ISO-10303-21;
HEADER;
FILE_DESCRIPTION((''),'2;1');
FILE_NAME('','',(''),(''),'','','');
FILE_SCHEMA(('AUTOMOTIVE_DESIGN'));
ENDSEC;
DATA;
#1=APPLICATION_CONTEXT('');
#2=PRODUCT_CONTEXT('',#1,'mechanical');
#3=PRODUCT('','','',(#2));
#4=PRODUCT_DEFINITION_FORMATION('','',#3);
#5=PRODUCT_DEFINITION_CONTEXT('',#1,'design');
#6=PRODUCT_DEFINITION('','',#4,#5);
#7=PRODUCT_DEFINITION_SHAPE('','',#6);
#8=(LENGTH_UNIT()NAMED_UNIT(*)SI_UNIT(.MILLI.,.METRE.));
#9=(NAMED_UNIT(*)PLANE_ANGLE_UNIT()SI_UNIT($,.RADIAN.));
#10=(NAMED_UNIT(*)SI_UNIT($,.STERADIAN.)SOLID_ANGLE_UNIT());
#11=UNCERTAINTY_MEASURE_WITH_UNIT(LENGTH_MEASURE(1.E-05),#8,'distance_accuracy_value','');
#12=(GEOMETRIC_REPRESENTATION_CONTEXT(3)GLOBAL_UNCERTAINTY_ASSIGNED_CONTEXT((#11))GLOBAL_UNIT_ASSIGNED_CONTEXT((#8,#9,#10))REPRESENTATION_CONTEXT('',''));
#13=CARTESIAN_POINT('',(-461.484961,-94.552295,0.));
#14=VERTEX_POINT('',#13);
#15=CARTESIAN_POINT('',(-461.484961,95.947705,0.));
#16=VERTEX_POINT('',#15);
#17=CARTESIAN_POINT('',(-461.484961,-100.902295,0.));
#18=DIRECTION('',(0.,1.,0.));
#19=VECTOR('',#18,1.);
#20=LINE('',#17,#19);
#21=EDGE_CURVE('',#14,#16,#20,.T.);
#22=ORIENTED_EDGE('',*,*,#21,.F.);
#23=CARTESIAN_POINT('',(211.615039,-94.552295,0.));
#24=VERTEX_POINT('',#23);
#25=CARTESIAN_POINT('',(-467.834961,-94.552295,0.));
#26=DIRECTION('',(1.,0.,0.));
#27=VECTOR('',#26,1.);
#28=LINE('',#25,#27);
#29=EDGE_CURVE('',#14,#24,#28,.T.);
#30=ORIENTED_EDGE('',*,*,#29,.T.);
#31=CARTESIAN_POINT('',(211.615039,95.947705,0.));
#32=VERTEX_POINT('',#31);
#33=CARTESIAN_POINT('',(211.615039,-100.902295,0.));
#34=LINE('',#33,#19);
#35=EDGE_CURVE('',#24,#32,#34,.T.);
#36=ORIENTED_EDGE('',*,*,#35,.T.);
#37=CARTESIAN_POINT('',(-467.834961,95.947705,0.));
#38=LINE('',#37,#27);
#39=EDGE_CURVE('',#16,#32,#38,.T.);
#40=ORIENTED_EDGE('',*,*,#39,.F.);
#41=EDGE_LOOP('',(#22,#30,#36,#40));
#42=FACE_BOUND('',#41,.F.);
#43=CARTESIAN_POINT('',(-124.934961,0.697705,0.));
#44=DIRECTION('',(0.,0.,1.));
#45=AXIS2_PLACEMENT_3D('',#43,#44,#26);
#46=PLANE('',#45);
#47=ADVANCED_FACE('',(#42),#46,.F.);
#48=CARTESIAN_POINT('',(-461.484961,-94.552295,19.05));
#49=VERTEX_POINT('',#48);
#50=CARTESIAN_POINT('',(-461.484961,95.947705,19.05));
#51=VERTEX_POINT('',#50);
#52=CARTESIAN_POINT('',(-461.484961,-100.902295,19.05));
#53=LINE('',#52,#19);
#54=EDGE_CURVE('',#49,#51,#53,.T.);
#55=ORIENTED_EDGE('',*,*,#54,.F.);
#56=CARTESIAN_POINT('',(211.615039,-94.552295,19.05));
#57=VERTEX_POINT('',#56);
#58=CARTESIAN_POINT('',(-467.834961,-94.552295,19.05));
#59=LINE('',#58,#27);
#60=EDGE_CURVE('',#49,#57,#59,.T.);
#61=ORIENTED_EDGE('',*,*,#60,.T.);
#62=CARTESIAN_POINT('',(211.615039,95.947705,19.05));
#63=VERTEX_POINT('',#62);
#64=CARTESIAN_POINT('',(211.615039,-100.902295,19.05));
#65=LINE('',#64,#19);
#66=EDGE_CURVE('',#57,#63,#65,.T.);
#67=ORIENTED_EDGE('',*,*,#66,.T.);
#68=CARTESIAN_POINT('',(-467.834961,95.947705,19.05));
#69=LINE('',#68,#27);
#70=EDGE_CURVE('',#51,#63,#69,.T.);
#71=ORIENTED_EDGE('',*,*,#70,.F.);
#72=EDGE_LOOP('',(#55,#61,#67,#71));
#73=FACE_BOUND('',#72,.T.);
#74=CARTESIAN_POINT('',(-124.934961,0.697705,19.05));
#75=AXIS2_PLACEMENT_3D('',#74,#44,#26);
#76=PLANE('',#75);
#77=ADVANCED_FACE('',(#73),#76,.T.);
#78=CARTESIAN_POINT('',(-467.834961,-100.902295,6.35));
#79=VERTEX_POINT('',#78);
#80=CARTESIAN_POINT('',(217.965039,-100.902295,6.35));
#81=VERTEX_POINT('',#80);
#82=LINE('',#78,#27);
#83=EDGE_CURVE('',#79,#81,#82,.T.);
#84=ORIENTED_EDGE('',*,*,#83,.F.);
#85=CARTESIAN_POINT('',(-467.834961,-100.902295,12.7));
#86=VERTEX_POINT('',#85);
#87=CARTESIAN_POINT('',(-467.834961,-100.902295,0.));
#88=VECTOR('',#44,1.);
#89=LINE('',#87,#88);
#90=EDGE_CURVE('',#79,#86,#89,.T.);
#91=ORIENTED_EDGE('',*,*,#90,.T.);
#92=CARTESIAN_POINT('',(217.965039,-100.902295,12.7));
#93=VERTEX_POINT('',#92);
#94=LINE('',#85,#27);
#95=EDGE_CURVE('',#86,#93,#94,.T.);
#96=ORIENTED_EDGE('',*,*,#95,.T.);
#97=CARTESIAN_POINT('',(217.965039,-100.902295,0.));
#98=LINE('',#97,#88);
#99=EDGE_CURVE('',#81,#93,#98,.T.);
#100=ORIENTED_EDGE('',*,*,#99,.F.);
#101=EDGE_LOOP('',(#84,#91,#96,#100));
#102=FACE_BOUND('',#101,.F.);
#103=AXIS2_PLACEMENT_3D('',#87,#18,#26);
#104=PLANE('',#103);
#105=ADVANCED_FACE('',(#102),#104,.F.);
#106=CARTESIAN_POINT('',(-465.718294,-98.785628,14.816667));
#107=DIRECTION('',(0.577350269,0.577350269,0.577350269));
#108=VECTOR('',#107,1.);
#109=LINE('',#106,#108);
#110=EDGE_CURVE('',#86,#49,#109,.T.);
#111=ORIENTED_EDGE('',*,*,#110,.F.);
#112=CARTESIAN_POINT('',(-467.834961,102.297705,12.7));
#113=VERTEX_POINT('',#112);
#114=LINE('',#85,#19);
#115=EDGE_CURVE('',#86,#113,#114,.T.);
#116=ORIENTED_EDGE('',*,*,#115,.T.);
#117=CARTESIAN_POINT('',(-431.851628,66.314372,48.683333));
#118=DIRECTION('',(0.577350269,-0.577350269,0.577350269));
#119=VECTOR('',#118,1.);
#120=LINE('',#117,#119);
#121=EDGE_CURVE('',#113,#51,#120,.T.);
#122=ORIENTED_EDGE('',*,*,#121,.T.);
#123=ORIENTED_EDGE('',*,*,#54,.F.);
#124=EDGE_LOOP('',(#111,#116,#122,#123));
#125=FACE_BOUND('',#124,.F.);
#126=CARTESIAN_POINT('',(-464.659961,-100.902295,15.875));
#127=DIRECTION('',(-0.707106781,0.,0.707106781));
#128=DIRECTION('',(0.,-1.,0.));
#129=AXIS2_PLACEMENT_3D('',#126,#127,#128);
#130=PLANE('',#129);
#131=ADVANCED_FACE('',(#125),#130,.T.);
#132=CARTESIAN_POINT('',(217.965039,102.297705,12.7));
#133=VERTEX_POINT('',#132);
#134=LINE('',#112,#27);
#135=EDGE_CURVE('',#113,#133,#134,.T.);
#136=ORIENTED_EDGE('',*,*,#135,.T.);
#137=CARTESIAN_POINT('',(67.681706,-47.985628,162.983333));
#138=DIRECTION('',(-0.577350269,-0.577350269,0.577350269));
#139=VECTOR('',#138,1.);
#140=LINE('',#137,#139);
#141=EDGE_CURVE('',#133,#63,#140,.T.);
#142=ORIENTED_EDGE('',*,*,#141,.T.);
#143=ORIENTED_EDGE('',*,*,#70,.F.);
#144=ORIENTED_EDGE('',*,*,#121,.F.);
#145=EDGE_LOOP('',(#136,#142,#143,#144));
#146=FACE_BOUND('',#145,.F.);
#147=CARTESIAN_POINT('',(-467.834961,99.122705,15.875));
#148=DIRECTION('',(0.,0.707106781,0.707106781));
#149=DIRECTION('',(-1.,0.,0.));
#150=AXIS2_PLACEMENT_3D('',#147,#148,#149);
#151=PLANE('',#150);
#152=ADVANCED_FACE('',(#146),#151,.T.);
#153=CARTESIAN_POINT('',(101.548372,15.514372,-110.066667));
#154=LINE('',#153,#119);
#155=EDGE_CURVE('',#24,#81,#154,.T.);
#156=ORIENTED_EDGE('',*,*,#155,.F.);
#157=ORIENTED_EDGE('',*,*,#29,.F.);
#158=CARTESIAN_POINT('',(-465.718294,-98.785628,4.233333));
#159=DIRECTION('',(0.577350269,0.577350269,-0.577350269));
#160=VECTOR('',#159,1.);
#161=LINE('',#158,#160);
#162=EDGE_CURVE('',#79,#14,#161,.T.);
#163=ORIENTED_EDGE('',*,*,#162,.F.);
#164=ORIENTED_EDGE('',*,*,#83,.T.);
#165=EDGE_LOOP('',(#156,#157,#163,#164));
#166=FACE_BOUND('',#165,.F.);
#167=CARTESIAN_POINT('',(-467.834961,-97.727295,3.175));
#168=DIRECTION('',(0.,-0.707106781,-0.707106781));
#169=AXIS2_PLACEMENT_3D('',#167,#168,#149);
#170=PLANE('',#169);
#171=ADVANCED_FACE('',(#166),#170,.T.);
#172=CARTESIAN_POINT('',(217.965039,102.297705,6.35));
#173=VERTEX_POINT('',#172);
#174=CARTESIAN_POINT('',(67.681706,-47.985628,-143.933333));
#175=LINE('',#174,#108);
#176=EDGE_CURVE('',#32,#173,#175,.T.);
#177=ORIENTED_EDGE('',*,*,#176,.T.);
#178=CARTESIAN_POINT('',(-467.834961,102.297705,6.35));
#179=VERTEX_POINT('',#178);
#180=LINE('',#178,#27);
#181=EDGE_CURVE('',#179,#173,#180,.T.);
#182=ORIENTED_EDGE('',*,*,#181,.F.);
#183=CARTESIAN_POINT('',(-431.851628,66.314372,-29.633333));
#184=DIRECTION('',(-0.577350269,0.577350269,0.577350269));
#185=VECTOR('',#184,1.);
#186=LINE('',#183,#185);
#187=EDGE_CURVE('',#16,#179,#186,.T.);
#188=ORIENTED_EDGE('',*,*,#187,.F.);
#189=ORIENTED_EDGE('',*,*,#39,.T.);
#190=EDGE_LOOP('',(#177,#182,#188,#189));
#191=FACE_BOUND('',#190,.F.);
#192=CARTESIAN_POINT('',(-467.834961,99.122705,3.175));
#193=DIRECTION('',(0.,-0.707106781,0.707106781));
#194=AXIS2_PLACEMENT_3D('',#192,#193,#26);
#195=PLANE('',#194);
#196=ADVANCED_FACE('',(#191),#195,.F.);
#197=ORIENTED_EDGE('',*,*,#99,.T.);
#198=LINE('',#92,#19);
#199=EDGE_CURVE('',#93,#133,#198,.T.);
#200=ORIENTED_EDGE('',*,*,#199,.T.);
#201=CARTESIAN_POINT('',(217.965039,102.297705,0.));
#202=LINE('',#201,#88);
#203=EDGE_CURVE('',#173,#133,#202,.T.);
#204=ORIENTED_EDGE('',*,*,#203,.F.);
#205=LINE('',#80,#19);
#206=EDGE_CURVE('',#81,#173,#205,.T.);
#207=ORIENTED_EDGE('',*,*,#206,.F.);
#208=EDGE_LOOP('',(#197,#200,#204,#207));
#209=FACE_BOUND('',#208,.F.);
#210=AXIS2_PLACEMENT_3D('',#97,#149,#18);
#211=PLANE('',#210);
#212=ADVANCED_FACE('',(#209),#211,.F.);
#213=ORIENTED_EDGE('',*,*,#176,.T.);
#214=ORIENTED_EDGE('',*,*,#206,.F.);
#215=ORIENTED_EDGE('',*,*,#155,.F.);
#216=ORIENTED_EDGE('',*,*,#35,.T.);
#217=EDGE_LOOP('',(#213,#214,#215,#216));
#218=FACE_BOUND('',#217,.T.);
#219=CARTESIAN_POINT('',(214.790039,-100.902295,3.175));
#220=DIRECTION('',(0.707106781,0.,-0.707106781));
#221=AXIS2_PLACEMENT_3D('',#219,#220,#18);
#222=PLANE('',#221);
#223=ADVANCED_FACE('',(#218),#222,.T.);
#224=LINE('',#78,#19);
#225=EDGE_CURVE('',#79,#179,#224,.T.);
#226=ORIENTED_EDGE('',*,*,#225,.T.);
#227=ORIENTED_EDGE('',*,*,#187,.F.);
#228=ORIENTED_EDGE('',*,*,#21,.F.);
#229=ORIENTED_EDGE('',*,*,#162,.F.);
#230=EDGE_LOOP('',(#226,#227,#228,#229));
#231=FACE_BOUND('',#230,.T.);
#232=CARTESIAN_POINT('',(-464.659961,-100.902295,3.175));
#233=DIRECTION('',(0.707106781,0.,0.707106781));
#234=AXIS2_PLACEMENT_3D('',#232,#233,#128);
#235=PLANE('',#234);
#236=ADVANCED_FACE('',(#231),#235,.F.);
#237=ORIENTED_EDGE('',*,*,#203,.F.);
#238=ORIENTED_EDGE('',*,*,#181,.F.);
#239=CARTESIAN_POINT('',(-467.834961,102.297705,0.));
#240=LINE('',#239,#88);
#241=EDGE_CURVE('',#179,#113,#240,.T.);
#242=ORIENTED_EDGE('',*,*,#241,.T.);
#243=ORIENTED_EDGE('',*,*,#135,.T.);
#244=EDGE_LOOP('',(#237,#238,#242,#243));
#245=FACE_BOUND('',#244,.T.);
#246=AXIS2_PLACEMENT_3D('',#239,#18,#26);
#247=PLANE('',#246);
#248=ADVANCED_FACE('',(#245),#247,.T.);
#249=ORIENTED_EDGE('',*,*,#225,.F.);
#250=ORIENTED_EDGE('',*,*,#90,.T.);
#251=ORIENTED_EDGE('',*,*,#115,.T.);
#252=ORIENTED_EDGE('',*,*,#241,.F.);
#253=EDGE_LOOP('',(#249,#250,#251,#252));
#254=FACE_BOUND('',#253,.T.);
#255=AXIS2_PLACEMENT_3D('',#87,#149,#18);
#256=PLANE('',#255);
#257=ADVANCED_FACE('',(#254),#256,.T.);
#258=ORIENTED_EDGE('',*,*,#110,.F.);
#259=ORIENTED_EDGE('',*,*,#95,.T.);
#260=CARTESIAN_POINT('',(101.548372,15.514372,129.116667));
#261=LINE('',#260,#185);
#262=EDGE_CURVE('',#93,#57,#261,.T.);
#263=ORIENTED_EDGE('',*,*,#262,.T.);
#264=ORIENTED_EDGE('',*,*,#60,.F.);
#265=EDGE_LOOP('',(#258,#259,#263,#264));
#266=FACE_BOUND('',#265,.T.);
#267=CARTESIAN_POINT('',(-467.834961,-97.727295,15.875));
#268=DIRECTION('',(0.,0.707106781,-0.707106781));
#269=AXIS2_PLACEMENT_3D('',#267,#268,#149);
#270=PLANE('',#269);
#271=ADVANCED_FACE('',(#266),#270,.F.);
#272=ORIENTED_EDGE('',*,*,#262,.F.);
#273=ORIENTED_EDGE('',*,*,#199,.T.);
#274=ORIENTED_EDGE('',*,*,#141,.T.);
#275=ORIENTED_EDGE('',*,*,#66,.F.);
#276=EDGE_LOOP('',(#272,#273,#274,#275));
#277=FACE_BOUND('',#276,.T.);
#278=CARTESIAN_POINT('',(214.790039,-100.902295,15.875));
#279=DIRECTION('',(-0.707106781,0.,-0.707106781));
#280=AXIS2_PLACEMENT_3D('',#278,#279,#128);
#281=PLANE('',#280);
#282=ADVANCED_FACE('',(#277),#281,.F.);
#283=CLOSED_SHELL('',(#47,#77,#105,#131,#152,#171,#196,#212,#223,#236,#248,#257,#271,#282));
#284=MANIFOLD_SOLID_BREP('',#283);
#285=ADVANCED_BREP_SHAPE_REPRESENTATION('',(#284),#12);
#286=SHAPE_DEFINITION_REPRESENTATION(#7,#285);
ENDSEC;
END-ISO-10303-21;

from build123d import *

# Parameters (mm, degrees)
F0_W     = 685.8
F0_H     = 203.2
F1_DEPTH = 19.05
F2_SIZE  = 6.35
F3_SIZE  = 6.35


with BuildPart() as f1:
    # F0 (on Top) → F1 (new body)
    with BuildSketch(Plane.XY):
        with Locations((-124.934961, 0.697705)):
            Rectangle(F0_W, F0_H)
    extrude(amount=F1_DEPTH)

    # F2
    f2_edges = [f1.edges().sort_by_distance(p)[0] for p in [
        (217.965039, 0.697705, 19.05),
        (-124.934961, 102.297705, 19.05),
        (-467.834961, 0.697705, 19.05),
        (-124.934961, -100.902295, 19.05),
    ]]
    chamfer(f2_edges, length=F2_SIZE)

    # F3
    f3_edges = [f1.edges().sort_by_distance(p)[0] for p in [
        (217.965039, 0.697705, 0),
        (-124.934961, 102.297705, 0),
        (-467.834961, 0.697705, 0),
        (-124.934961, -100.902295, 0),
    ]]
    chamfer(f3_edges, length=F3_SIZE)


solid = f1.part
